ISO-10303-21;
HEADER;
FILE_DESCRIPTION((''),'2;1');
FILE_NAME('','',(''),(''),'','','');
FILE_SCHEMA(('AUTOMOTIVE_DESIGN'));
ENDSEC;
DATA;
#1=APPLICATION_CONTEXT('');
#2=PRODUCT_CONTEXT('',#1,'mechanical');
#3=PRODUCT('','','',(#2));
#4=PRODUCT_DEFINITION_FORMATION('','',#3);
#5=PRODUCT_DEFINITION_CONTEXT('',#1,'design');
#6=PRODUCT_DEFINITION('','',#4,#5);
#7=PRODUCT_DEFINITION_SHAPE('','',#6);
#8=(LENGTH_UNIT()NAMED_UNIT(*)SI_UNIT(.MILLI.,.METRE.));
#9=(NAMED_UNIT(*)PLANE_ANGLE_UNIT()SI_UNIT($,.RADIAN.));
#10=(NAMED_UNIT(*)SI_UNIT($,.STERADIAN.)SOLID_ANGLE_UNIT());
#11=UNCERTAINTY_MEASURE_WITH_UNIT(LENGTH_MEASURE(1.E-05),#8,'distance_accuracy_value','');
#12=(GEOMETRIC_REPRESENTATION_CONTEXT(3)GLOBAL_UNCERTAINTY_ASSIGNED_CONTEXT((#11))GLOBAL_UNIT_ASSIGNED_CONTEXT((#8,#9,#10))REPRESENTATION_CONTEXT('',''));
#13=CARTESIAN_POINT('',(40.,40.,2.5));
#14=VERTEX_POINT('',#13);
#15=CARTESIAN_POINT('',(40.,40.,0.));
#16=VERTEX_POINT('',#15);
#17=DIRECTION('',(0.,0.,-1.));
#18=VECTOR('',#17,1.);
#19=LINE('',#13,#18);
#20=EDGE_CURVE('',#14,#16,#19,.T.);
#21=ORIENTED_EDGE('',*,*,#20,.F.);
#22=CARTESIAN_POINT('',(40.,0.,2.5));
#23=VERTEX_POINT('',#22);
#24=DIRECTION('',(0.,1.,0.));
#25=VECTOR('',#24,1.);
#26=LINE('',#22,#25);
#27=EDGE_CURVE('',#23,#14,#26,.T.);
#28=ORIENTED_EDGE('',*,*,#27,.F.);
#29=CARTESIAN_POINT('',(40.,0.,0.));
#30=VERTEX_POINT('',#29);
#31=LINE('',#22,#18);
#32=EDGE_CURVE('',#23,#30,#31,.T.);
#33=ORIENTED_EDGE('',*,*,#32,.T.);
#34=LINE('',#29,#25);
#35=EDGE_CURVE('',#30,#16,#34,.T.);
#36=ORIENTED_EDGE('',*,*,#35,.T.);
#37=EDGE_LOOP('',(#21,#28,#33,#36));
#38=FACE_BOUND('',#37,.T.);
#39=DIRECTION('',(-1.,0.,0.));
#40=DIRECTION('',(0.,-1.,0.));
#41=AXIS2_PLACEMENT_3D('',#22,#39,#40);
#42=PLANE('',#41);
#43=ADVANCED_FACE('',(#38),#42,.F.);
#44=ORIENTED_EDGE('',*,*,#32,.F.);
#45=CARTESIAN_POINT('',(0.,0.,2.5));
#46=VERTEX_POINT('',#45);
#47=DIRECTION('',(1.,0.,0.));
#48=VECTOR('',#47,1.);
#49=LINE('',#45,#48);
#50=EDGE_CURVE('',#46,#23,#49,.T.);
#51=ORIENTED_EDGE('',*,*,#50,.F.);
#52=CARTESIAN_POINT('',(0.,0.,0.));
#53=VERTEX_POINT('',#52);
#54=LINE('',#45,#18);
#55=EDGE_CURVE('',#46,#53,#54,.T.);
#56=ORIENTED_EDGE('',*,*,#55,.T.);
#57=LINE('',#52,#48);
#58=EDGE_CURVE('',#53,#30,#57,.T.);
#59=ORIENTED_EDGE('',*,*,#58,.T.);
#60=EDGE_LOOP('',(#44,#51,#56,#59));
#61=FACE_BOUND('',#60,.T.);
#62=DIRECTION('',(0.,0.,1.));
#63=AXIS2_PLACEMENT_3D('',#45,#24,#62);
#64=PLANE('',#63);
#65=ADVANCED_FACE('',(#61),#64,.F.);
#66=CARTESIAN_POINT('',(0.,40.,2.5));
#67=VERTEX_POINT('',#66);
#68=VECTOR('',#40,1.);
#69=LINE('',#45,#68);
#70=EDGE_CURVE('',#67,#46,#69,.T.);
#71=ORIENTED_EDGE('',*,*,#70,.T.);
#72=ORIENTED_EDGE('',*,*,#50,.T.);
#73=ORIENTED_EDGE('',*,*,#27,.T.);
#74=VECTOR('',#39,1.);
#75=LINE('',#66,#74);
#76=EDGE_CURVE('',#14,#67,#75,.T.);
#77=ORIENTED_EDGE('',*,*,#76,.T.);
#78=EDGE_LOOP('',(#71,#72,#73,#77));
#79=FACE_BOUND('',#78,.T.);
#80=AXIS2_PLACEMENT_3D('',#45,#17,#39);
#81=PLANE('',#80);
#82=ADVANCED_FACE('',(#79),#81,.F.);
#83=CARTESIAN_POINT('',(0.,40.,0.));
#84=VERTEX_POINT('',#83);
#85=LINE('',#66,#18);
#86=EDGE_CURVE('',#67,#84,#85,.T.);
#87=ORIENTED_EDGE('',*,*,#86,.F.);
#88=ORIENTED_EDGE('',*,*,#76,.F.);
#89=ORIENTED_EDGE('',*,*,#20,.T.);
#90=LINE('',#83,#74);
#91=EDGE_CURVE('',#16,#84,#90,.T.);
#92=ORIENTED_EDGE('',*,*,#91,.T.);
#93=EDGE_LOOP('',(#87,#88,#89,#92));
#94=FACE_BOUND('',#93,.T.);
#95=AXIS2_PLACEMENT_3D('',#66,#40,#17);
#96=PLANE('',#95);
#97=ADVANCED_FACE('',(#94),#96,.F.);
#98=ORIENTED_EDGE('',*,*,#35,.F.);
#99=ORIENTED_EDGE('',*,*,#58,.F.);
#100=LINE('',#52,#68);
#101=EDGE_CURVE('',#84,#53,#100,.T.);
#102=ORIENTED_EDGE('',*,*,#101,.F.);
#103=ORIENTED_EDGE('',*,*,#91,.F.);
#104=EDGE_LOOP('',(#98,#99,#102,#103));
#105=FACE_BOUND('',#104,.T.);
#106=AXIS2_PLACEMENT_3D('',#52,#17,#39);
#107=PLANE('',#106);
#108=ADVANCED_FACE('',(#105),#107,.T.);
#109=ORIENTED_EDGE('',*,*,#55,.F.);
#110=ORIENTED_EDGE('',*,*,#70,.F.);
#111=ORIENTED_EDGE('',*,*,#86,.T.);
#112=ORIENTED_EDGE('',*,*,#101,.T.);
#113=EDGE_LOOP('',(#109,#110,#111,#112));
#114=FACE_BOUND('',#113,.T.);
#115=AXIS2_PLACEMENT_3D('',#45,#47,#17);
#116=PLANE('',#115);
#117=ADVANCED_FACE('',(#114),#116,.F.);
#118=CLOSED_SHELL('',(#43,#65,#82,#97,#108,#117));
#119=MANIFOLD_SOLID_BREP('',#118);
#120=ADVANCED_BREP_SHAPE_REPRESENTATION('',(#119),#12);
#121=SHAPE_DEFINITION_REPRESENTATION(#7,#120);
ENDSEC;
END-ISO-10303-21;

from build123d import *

# Parameters (mm, degrees)
SKETCH1_W           = 40
SKETCH1_H           = 40
BOSS_EXTRUDE1_DEPTH = 2.5


with BuildPart() as part:
    # Sketch1 → Boss-Extrude1 (new body)
    with BuildSketch(Plane.XY):
        with Locations((20, 20)):
            Rectangle(SKETCH1_W, SKETCH1_H)
    extrude(amount=BOSS_EXTRUDE1_DEPTH)


solid = part.part
